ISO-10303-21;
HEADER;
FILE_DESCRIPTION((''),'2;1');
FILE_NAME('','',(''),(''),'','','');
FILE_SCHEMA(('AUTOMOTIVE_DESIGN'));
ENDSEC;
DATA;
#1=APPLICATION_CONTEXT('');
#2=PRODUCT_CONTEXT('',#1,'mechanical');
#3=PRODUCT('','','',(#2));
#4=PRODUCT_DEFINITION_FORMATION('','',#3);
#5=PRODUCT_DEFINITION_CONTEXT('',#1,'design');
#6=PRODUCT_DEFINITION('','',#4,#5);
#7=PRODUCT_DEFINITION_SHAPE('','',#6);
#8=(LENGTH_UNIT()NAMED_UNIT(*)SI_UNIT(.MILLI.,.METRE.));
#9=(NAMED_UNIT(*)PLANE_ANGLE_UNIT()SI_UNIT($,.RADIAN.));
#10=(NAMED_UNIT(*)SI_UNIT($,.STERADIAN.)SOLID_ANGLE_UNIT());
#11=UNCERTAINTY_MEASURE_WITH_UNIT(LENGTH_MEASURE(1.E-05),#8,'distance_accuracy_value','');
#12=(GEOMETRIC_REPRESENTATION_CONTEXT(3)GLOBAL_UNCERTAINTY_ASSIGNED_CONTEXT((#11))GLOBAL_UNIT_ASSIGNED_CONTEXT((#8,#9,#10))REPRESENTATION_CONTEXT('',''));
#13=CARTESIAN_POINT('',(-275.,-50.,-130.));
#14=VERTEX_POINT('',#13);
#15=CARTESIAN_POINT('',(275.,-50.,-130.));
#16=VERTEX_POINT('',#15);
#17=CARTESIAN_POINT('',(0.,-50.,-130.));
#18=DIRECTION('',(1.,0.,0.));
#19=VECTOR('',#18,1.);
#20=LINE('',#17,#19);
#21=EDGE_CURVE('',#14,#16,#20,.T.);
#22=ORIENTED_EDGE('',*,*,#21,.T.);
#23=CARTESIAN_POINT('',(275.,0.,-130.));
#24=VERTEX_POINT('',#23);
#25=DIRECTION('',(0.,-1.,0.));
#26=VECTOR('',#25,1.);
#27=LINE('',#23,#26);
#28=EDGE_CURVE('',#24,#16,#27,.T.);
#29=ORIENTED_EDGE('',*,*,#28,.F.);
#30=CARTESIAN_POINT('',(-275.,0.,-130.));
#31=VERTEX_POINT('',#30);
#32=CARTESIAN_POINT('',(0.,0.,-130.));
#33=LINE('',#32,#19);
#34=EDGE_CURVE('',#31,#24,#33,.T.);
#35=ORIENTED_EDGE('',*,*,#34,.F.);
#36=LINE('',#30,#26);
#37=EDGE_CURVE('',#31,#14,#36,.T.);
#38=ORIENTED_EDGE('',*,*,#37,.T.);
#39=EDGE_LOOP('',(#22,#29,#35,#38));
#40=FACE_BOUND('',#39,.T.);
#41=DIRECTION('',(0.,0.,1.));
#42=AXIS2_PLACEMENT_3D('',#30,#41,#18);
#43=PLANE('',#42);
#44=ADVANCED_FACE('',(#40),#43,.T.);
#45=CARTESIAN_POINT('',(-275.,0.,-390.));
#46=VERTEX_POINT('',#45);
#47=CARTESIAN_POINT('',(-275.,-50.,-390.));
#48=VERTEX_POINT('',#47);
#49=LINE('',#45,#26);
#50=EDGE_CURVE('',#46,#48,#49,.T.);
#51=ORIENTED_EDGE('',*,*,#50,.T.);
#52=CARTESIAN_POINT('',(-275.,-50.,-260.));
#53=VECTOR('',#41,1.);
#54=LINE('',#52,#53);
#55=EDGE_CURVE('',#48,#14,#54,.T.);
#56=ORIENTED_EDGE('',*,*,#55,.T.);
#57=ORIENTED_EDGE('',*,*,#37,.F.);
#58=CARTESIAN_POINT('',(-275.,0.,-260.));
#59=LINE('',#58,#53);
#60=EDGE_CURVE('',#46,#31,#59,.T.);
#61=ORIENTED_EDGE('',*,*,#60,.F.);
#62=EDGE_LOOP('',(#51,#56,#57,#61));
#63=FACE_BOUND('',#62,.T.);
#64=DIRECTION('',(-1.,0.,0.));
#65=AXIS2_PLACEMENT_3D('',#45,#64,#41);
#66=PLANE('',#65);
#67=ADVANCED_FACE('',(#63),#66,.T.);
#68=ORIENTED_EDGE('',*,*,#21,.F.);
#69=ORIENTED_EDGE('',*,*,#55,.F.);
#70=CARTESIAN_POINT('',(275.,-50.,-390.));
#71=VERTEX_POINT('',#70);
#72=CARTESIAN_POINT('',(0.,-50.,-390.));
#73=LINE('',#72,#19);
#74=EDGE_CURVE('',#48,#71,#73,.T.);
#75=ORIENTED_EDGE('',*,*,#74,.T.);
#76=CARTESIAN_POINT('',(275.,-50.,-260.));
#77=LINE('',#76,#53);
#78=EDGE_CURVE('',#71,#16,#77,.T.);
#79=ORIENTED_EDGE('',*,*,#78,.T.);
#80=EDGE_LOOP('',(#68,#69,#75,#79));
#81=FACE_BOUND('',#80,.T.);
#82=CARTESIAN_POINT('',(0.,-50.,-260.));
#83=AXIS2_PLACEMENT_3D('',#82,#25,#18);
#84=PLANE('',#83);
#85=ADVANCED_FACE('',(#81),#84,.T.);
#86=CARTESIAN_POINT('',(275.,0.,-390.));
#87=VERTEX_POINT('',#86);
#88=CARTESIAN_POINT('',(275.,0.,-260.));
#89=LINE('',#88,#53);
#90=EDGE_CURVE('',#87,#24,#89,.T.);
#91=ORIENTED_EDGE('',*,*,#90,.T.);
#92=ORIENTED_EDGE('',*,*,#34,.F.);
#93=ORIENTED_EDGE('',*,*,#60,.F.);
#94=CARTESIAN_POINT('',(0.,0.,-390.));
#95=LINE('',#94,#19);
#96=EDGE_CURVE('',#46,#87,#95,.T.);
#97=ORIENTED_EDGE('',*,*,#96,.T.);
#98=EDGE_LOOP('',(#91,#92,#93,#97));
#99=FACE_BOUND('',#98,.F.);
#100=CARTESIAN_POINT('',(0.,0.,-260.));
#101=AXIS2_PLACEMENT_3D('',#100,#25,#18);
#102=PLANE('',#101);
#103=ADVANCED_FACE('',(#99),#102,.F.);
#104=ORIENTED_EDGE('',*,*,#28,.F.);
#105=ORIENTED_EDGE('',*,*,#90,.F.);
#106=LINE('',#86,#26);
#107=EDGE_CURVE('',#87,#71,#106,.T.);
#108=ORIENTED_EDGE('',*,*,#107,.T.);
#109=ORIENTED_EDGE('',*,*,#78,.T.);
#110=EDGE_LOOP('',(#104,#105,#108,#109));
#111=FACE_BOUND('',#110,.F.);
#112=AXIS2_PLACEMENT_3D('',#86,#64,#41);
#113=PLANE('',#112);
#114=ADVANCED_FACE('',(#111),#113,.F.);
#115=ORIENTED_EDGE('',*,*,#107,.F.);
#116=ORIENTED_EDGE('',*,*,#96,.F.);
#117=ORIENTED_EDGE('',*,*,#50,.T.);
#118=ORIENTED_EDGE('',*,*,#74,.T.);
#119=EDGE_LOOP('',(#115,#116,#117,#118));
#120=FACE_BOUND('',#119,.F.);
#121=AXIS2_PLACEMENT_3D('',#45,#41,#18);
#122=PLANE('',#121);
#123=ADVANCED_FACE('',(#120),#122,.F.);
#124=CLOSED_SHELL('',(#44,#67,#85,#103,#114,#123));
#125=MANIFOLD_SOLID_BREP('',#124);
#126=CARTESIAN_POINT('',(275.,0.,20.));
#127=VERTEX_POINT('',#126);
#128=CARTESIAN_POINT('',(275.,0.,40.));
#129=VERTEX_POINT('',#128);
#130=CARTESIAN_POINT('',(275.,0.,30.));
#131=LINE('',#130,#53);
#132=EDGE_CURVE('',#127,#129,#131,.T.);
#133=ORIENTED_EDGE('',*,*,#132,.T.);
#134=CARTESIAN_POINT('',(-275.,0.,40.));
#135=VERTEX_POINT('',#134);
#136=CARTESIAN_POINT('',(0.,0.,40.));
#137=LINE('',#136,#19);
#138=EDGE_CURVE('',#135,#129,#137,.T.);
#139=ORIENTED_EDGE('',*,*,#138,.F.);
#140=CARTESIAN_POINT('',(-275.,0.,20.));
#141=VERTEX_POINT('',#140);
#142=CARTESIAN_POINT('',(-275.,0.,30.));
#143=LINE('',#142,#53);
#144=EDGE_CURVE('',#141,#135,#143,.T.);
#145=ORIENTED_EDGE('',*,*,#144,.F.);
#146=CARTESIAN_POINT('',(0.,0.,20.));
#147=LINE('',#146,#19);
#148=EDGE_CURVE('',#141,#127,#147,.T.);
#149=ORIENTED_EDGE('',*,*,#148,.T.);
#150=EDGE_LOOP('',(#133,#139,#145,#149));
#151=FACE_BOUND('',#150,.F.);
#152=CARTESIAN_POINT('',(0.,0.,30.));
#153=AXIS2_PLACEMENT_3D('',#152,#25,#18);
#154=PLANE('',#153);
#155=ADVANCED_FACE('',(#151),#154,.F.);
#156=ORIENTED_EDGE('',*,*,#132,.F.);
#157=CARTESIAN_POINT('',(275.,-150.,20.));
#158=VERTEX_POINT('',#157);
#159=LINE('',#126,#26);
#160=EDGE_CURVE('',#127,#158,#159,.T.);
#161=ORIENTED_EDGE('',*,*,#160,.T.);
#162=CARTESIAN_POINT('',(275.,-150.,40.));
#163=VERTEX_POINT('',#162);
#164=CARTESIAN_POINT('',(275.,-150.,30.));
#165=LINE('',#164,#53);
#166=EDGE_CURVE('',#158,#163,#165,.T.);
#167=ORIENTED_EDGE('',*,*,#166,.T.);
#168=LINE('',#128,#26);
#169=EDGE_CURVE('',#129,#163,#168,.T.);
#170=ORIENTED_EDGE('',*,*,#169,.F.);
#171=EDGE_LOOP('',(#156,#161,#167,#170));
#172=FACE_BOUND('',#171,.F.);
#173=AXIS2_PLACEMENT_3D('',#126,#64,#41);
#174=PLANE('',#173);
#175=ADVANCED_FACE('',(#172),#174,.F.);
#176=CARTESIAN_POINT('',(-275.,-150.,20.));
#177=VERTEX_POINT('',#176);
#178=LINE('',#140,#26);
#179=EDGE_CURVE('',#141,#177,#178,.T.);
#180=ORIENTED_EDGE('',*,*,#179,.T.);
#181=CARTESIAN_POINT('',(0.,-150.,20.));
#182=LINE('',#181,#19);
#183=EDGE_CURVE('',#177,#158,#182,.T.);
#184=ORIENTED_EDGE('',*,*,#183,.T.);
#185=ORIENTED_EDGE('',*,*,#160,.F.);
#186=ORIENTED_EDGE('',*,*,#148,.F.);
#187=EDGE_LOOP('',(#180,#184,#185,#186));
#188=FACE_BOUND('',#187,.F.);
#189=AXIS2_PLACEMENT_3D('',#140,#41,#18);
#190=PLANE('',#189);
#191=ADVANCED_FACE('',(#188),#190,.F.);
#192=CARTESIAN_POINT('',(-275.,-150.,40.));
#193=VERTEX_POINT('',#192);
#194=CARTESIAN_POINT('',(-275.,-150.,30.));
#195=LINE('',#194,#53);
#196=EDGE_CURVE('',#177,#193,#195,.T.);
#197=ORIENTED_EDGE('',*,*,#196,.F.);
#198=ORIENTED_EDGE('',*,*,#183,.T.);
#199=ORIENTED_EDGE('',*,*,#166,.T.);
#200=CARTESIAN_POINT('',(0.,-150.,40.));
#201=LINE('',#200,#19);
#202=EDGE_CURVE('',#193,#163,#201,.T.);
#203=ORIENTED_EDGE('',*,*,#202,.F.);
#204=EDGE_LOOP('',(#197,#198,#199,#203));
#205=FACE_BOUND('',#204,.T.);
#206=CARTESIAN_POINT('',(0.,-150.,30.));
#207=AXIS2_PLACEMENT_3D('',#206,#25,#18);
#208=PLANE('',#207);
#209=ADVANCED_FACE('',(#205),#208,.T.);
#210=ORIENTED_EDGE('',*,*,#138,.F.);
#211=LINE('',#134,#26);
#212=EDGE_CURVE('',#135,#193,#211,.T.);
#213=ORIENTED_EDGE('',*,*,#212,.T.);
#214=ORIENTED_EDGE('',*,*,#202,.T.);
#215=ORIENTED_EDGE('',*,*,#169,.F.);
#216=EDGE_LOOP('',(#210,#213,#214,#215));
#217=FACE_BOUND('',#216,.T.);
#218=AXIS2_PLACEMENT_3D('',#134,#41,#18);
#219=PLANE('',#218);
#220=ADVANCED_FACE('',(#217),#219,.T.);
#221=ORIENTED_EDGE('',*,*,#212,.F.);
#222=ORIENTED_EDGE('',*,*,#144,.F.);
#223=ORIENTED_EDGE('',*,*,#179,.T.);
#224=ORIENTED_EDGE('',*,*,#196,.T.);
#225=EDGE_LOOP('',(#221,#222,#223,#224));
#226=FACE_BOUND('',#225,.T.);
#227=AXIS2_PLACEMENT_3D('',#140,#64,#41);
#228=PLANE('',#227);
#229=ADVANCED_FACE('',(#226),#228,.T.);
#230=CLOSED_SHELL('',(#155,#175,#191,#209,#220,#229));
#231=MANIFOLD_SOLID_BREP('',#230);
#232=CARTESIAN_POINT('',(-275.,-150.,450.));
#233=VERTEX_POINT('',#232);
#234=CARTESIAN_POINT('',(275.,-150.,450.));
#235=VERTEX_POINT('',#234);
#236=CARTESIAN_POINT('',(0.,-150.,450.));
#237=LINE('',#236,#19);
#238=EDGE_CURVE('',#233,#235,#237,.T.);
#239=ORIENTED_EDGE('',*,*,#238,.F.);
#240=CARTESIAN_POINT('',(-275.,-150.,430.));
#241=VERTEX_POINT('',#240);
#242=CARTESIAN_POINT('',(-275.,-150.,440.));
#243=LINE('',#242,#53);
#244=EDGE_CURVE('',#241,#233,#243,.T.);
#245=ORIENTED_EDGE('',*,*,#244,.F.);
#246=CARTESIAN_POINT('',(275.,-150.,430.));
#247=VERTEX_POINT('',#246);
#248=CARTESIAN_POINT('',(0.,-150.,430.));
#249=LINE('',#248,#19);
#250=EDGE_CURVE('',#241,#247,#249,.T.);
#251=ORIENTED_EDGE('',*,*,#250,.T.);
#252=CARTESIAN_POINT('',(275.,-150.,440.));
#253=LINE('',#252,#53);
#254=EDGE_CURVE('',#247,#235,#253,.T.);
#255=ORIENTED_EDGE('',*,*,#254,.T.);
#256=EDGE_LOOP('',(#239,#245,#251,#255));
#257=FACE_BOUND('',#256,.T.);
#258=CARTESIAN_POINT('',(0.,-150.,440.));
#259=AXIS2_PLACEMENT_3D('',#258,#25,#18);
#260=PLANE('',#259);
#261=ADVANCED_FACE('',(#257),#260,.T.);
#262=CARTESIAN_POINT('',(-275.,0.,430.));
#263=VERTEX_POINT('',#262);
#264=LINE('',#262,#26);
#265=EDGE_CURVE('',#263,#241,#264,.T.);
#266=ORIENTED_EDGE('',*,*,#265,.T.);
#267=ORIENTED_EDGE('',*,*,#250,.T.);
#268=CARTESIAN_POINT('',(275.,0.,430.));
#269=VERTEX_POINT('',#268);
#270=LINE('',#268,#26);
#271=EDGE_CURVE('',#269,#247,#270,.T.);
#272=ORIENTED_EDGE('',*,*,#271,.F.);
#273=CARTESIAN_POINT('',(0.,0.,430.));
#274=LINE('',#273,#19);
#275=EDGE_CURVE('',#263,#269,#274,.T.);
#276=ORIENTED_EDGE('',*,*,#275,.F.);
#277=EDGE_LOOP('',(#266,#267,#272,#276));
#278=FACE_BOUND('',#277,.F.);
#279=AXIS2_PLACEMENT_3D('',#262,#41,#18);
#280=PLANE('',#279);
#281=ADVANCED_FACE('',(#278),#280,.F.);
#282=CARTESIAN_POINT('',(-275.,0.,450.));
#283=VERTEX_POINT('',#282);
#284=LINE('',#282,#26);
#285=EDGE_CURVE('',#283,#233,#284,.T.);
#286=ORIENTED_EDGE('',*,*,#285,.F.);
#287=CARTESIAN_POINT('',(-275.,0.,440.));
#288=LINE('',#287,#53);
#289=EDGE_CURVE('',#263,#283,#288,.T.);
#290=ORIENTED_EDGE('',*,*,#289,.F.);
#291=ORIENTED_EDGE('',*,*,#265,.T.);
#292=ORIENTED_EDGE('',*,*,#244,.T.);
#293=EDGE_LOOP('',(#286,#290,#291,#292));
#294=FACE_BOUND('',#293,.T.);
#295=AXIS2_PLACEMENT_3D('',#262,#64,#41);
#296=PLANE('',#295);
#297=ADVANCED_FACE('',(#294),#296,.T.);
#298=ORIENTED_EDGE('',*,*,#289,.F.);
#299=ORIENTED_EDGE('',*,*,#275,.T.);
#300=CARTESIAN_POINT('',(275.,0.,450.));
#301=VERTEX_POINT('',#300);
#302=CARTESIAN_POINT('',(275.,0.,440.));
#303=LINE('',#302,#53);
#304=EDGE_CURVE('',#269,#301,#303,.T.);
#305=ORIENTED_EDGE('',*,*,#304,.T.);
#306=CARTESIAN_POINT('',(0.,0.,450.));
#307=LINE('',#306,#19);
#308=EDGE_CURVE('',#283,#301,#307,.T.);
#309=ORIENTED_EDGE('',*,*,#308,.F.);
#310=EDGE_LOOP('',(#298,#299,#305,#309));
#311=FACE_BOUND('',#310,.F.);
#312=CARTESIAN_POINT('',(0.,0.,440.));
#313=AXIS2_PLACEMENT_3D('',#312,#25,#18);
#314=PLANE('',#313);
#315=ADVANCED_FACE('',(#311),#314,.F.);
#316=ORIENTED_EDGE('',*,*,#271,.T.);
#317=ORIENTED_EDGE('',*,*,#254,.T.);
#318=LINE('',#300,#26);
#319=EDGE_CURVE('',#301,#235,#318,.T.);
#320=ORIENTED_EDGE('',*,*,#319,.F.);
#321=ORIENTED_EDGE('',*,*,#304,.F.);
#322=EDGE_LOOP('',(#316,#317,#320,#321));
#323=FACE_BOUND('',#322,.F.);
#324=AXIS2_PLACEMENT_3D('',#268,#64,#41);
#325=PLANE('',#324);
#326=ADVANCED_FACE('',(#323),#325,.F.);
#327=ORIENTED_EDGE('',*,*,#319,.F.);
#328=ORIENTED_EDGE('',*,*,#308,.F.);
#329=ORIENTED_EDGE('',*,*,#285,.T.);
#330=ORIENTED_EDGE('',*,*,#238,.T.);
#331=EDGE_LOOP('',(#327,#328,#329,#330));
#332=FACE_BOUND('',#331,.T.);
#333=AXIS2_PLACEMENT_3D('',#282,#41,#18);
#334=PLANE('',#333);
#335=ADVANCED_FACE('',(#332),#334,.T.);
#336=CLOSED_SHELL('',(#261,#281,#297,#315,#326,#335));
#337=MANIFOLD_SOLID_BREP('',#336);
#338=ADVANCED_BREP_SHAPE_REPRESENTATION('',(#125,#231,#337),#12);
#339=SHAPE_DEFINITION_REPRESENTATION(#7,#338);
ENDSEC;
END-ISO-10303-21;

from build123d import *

# Parameters (mm, degrees)
F0_W     = 550
F0_H     = 20
F1_DEPTH = 150
F0_H_2   = 260
F2_DEPTH = 50


with BuildPart() as f1:
    # F0 (on Front) → F1 (new body)
    with BuildSketch(Plane.XZ):
        with Locations((0, 440)):
            Rectangle(F0_W, F0_H)
        with Locations((0, 30)):
            Rectangle(F0_W, F0_H)
    extrude(amount=F1_DEPTH)


with BuildPart() as f2:
    # F0 (on Front) → F2 (new body)
    with BuildSketch(Plane.XZ):
        with Locations((0, -260)):
            Rectangle(F0_W, F0_H_2)
    extrude(amount=F2_DEPTH)


solid = Compound([f1.part, f2.part])
